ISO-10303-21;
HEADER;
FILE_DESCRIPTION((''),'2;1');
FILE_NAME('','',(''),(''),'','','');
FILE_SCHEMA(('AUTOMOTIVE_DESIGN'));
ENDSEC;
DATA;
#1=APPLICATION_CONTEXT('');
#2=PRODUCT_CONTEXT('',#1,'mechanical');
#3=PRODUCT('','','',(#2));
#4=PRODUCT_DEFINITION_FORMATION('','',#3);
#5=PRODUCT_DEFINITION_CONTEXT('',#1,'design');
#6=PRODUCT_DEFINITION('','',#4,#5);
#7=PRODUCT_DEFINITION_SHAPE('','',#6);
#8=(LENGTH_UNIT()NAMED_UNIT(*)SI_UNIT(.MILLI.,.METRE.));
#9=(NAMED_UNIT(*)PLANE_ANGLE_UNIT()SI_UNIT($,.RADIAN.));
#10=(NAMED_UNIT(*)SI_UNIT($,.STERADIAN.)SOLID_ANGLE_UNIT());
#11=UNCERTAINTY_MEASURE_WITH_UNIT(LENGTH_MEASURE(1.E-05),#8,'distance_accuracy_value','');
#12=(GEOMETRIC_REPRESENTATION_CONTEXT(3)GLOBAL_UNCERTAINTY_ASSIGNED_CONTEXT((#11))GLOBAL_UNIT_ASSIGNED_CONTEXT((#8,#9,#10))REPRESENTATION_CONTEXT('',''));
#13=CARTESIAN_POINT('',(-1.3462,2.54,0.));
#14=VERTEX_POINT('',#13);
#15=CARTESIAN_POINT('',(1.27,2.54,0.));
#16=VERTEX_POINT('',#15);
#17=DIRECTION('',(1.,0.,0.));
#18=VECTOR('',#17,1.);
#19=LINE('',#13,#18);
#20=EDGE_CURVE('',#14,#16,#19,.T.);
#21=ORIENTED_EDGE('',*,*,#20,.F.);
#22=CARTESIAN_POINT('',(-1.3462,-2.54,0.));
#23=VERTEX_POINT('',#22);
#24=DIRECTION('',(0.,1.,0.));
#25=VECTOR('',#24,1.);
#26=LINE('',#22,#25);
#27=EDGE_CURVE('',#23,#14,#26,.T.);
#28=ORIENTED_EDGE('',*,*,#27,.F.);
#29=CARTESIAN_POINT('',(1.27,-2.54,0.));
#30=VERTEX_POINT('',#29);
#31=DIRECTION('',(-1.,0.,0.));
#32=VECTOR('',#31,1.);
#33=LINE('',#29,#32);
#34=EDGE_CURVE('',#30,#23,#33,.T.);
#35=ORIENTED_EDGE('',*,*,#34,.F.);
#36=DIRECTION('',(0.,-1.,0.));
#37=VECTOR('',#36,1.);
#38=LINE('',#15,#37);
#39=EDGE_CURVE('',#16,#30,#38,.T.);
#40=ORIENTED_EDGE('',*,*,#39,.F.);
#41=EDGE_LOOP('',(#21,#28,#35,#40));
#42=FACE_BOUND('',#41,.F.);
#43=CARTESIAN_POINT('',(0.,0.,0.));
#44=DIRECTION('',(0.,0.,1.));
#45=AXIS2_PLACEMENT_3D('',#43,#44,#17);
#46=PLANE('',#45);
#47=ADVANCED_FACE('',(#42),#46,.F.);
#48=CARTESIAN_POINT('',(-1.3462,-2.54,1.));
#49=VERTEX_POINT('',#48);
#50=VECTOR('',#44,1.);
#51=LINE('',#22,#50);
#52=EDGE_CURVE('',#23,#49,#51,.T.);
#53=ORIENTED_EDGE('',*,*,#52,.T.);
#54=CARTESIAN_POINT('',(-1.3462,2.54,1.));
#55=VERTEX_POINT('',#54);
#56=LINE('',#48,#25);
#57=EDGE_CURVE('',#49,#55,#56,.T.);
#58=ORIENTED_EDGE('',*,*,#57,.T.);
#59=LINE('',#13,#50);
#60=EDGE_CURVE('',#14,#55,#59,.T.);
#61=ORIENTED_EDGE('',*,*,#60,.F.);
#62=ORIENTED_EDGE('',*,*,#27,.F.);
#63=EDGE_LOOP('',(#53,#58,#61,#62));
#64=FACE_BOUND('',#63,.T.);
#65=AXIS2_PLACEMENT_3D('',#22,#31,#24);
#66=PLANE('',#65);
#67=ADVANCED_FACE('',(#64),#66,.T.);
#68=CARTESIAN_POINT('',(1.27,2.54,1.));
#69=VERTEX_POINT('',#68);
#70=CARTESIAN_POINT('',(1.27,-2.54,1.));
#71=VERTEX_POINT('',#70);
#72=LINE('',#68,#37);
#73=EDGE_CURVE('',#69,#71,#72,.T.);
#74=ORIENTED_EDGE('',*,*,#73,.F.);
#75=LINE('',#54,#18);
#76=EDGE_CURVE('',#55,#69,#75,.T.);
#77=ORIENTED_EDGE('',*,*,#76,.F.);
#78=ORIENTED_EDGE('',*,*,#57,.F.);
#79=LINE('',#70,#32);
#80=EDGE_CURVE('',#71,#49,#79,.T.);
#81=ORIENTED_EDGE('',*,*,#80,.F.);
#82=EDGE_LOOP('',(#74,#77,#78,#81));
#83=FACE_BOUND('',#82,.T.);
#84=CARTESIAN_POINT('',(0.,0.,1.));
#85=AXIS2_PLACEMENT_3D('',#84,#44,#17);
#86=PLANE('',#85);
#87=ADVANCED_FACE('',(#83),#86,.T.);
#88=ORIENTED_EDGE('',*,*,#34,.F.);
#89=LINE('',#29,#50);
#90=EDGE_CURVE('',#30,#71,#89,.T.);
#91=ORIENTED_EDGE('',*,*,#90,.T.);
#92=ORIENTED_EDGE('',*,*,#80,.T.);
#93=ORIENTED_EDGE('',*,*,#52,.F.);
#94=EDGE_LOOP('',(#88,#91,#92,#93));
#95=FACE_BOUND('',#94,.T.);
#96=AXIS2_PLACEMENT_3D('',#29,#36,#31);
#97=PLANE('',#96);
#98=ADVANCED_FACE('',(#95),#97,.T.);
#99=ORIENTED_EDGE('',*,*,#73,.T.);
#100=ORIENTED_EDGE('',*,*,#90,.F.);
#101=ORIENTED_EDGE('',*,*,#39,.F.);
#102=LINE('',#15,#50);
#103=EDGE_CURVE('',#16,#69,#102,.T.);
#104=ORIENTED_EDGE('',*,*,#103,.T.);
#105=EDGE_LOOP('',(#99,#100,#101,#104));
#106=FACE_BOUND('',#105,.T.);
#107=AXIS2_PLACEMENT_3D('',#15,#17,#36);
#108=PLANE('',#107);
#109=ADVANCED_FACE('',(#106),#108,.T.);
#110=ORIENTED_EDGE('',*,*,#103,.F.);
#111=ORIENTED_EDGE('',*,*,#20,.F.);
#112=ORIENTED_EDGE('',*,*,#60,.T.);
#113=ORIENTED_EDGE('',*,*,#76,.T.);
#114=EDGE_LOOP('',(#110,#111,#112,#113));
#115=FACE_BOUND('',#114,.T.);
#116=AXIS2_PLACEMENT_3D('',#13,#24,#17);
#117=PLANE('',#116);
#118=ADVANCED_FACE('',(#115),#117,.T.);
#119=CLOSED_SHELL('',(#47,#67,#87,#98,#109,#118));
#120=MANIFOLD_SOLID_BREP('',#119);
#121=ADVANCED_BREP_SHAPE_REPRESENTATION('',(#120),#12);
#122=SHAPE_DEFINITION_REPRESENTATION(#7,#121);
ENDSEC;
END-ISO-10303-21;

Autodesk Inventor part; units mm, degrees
ref_plane "YZ Plane" through (0, 0, 0) normal (1, 0, 0) x (0, 1, 0)
ref_plane "XZ Plane" through (0, 0, 0) normal (0, 1, 0) x (-1, 0, 0)
ref_plane "XY Plane" through (0, 0, 0) normal (0, 0, 1) x (1, 0, 0)
sketch "JP1M, SBW_TST_65" plane through (0, 0, 0) normal (0, 0, 1) x (1, 0, 0)
  line L0 (-1.3462, 2.54) -> (1.27, 2.54)
  line L1 (1.27, 2.54) -> (1.27, -2.54)
  line L2 (1.27, -2.54) -> (-1.3462, -2.54)
  line L3 (-1.3462, -2.54) -> (-1.3462, 2.54)
extrude "Extrusion1" add sketch "JP1M, SBW_TST_65" along normal blind 1
properties part number "SBW_TST"
